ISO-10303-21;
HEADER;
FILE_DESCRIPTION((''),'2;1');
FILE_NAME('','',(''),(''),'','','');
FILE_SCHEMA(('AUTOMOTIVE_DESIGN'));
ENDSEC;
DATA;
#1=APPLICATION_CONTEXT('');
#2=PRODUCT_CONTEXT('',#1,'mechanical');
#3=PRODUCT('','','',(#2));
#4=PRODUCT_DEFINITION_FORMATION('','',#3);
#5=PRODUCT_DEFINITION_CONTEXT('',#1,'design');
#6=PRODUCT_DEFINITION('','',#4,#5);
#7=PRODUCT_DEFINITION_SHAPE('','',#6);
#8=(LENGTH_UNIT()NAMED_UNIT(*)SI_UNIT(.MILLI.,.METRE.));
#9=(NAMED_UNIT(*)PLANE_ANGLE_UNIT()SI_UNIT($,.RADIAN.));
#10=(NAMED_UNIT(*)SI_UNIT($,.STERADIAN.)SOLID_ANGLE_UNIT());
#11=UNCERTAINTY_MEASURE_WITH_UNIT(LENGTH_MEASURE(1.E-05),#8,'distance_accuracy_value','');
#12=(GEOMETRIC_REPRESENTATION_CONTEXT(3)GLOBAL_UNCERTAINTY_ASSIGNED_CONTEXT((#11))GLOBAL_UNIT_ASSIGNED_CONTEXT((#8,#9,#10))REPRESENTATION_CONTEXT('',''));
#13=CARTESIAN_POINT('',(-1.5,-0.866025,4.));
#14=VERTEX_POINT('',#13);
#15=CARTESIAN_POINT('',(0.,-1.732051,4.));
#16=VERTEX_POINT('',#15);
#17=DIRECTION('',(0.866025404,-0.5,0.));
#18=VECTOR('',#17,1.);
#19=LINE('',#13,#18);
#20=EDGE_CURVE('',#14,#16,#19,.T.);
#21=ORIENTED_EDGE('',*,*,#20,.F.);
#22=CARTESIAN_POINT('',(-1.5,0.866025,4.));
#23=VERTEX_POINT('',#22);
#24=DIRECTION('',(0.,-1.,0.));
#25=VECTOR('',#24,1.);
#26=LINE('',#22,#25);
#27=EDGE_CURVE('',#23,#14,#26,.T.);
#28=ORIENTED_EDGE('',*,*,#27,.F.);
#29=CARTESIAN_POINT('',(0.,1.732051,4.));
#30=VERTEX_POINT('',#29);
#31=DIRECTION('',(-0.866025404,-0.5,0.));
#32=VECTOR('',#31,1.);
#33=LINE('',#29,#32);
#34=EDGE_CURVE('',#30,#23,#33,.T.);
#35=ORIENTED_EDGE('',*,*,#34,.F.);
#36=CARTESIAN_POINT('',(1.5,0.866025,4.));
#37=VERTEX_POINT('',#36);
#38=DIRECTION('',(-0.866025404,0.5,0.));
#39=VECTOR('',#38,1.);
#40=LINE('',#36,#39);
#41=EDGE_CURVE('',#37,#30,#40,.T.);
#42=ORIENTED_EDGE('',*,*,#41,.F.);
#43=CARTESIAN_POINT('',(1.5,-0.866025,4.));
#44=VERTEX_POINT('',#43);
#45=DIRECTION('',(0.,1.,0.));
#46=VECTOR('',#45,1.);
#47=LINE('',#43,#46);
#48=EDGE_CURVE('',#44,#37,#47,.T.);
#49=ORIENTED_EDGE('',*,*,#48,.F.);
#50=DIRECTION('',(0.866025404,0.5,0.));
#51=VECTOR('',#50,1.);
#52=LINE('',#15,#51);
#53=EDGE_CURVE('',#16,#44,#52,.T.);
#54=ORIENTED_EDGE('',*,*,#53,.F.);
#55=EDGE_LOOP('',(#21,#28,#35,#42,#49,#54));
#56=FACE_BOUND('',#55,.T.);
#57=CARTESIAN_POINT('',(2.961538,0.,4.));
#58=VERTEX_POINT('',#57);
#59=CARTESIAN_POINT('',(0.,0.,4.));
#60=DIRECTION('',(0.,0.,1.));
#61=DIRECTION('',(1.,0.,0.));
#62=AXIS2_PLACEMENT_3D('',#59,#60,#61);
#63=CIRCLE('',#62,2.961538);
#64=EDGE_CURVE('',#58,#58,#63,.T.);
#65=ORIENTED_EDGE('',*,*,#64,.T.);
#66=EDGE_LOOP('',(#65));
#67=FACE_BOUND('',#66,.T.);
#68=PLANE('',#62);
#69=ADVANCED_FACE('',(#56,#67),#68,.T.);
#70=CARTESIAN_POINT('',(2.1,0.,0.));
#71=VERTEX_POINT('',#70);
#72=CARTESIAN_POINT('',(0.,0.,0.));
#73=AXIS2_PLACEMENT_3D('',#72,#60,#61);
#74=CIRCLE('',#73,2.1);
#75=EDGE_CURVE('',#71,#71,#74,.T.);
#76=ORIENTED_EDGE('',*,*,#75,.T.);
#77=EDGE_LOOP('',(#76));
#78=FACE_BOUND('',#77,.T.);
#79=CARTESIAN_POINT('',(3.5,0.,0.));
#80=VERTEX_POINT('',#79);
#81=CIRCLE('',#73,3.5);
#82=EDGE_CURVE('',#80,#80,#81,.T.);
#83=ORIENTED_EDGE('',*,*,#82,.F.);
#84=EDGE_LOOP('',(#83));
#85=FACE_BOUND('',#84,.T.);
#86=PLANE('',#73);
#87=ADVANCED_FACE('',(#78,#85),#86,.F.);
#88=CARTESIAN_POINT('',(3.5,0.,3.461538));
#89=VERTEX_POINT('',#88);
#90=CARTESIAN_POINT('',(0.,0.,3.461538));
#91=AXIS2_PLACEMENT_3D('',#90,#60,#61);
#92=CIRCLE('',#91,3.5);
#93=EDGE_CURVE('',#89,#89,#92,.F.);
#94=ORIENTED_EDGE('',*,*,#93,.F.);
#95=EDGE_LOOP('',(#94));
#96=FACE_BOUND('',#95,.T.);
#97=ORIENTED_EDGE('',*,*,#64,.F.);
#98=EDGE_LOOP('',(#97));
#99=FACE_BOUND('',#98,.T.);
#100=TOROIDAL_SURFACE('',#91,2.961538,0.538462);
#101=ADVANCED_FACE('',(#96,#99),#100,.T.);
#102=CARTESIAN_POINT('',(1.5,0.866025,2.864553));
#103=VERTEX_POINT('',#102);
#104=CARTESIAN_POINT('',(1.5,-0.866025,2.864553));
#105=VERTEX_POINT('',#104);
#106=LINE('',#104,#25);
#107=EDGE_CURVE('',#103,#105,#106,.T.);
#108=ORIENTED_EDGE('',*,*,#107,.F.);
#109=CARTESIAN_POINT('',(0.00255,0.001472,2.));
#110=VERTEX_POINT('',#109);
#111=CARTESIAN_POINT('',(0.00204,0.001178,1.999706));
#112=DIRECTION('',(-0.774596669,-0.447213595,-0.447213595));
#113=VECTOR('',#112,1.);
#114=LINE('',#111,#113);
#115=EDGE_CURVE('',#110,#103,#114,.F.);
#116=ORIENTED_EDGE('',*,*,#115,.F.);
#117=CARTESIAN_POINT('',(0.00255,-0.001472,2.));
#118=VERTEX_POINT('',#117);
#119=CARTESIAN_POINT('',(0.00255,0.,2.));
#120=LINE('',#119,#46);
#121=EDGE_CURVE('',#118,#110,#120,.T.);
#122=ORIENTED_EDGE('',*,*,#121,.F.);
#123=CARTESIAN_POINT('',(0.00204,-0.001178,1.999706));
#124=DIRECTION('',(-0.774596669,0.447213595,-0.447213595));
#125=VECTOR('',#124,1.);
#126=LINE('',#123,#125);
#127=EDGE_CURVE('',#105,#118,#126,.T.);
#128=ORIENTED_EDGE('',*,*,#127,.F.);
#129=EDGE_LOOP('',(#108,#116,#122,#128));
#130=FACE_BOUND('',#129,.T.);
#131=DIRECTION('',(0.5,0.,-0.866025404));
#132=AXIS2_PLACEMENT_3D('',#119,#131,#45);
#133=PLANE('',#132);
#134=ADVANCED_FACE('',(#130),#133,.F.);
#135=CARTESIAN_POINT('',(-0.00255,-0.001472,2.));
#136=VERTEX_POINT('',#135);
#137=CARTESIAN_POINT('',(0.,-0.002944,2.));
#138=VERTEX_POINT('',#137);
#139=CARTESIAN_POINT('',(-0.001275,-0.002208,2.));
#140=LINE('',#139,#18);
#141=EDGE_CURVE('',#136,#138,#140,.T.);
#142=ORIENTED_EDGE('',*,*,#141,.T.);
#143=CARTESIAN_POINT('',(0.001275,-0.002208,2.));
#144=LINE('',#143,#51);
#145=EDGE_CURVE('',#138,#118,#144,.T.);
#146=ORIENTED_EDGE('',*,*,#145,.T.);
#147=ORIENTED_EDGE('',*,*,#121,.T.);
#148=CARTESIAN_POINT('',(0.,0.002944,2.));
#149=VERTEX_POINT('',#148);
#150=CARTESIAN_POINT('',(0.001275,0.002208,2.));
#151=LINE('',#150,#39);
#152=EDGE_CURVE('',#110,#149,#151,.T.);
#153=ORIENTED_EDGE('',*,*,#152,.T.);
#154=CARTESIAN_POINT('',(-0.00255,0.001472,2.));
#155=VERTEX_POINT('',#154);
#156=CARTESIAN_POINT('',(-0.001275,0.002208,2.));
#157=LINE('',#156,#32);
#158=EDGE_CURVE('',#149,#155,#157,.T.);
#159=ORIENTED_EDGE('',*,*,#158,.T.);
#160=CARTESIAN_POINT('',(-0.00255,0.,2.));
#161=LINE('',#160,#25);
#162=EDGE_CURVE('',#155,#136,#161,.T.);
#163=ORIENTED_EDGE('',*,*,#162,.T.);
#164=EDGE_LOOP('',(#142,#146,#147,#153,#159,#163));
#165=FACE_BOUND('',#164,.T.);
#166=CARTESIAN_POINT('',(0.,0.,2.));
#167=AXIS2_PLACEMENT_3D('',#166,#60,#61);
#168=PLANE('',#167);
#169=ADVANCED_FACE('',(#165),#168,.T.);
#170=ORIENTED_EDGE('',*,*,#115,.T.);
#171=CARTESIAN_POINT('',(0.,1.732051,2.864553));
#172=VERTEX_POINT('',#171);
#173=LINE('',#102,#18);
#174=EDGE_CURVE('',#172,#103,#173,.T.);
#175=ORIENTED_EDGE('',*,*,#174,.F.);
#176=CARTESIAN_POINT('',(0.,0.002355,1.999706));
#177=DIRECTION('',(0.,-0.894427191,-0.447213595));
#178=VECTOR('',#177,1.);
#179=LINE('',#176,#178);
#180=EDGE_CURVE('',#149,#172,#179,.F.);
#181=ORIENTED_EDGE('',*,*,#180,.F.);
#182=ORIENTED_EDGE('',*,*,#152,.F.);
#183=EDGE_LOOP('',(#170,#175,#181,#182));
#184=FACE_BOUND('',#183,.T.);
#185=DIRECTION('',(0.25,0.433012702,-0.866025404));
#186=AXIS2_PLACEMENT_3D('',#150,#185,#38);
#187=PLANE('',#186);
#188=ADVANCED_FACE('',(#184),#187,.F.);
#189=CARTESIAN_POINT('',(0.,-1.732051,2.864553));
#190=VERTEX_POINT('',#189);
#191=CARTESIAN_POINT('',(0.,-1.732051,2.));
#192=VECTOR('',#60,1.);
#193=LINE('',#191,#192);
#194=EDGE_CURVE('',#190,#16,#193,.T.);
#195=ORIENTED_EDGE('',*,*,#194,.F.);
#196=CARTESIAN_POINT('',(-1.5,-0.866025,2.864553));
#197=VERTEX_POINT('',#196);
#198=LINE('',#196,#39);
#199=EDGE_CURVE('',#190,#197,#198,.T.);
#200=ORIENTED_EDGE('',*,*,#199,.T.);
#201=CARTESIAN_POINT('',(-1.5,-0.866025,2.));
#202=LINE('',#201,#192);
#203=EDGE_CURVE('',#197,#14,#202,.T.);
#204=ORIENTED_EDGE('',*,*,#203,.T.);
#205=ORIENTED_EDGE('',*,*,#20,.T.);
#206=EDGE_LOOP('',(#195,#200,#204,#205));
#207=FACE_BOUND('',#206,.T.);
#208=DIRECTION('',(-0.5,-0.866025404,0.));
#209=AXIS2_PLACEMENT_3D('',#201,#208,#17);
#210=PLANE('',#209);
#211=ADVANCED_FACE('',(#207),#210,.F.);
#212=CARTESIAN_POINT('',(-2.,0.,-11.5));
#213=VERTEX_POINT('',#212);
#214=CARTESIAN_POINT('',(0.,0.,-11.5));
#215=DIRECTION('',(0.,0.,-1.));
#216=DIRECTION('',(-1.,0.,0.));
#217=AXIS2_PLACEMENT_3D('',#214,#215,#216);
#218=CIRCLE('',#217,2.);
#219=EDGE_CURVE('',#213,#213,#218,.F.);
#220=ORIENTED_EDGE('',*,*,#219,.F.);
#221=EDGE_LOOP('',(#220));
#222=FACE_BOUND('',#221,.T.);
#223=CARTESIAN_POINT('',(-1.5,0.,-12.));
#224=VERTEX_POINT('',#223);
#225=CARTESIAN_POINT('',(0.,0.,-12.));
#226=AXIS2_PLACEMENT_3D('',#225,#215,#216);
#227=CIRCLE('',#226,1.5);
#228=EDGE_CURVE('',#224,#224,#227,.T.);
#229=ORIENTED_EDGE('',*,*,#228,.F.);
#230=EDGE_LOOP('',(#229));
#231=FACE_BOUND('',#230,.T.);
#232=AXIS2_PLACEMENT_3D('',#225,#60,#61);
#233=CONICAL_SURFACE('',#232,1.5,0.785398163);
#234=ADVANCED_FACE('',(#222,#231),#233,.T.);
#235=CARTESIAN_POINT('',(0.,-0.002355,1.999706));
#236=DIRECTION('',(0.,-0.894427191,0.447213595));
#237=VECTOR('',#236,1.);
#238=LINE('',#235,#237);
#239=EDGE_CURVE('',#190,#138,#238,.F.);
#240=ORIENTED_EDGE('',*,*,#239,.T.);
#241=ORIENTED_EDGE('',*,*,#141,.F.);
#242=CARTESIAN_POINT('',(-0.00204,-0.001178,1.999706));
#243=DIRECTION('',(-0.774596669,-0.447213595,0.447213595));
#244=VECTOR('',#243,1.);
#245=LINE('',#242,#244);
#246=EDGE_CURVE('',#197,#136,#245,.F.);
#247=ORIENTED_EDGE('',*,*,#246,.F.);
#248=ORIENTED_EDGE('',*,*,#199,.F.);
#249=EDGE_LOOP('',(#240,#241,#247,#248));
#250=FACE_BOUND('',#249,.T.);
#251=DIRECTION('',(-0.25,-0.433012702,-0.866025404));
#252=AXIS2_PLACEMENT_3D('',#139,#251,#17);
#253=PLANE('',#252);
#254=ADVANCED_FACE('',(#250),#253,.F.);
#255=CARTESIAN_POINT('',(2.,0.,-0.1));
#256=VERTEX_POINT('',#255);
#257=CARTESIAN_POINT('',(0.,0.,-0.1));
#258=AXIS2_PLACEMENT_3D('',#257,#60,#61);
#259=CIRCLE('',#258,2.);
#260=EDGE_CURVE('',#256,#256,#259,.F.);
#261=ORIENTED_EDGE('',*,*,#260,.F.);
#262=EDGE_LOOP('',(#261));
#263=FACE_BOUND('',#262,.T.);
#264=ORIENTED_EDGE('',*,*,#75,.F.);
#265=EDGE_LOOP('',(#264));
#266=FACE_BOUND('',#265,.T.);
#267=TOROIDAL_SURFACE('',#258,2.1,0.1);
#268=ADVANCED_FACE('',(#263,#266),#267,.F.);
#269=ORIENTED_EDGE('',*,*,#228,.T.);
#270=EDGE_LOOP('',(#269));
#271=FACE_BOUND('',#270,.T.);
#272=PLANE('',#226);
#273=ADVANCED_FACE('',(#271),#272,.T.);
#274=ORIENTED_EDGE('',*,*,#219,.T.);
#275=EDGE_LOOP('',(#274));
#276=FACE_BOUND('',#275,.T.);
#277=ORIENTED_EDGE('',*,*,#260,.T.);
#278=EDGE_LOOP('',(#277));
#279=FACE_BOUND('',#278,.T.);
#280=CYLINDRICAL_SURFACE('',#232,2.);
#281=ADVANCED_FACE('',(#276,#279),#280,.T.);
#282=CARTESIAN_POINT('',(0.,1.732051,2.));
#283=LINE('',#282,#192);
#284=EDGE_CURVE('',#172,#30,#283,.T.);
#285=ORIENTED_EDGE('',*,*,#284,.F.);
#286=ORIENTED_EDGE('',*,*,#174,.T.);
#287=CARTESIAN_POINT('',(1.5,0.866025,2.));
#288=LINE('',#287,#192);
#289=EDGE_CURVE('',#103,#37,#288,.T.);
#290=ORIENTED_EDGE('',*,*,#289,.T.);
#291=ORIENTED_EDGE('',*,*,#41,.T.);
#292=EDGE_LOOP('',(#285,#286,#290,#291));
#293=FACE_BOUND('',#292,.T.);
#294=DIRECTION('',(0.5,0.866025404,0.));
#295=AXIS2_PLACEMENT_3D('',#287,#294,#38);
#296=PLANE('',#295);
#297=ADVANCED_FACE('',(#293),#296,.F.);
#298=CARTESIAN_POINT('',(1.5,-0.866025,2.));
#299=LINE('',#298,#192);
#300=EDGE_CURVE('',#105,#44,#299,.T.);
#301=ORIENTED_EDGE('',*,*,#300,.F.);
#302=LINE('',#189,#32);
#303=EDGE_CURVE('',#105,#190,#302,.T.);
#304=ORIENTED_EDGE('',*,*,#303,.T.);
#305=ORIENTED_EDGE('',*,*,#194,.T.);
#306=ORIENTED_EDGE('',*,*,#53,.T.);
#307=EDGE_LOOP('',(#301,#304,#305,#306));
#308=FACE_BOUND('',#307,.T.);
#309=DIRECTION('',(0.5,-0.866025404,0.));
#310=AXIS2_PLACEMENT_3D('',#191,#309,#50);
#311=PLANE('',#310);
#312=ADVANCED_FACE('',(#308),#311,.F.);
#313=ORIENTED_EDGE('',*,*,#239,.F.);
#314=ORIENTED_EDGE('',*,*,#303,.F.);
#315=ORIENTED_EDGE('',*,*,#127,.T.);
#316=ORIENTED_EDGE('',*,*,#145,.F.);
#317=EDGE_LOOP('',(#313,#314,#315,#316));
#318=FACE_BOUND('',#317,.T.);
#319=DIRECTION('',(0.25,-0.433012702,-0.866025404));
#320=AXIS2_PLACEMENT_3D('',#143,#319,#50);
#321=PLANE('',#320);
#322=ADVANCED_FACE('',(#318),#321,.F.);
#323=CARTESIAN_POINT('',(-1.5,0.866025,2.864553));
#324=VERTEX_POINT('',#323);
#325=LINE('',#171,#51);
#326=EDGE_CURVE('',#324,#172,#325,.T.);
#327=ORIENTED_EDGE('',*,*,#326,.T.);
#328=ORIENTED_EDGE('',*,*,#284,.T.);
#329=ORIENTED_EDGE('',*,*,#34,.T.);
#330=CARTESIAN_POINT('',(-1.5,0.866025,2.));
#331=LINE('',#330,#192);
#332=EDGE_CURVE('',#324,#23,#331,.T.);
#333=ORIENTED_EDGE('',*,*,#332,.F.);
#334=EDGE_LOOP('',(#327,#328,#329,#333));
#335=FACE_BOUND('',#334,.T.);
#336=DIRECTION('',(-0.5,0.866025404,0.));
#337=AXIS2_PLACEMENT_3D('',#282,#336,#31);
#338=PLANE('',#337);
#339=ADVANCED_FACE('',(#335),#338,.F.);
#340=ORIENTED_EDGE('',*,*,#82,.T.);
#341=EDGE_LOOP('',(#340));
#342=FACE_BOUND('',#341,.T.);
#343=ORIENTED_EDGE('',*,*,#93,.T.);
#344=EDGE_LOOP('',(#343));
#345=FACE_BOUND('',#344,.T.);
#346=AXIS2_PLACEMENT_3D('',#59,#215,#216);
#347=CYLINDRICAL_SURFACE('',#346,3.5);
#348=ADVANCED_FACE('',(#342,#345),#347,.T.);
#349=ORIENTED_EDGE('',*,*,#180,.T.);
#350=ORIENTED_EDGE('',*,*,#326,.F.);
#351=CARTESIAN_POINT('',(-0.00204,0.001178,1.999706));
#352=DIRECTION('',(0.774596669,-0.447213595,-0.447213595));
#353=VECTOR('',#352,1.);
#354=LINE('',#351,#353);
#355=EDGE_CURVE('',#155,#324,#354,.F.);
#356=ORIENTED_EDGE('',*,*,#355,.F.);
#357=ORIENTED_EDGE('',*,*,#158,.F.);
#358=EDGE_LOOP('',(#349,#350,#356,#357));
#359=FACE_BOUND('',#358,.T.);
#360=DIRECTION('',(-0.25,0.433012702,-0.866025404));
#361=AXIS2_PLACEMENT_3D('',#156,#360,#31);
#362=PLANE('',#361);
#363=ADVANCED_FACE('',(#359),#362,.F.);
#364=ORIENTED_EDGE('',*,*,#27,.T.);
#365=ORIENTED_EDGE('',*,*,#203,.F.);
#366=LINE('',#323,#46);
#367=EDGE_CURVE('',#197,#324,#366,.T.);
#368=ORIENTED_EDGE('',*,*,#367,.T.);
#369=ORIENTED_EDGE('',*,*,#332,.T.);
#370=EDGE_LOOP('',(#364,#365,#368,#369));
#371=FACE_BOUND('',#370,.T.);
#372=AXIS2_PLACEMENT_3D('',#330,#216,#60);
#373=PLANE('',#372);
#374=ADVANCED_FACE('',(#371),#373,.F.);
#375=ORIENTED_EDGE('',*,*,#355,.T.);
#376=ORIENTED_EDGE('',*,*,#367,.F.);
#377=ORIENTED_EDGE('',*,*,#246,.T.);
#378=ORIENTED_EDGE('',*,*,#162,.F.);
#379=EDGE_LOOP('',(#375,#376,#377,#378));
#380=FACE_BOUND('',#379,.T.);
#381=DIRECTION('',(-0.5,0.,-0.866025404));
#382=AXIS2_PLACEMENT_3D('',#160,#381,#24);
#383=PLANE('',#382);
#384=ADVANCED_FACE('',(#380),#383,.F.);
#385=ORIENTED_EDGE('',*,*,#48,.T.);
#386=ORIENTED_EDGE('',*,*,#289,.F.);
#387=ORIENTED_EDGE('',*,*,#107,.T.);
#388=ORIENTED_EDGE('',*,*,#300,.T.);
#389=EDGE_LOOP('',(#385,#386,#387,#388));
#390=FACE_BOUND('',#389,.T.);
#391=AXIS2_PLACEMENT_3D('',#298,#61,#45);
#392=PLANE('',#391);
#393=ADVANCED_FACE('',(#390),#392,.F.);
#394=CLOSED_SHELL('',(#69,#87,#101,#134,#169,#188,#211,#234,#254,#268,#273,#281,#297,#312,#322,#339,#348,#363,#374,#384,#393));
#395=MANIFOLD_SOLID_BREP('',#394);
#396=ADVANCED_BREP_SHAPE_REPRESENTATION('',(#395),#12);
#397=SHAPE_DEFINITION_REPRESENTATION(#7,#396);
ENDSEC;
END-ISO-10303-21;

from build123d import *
from OCP.BRepFilletAPI import BRepFilletAPI_MakeChamfer

# Parameters (mm, degrees)
SKETCH_1_R          = 3.5
EXTRUDE_1_DEPTH     = 4
CUT_EXTRUDE_1_DEPTH = 2
SKETCH_3_R          = 2
EXTRUDE_2_DEPTH     = 12
CHAMFER_1_SIZE      = 0.5
FILLET_1_R          = 0.538461538
CHAMFER_2_SIZE      = 0.864553314
CHAMFER_2_SIZE2     = 1.497450266
FILLET_2_R          = 0.1


with BuildPart() as part:
    # 草图1 → 凸台-拉伸1 (new body)
    with BuildSketch(Plane.XY):
        Circle(SKETCH_1_R)
    extrude(amount=EXTRUDE_1_DEPTH)

    # 草图2 → 切除-拉伸1 (cut)
    with BuildSketch(Plane.XY.offset(4)):
        Polygon((1.5, 0.866025404), (0, 1.732050808), (-1.5, 0.866025404), (-1.5, -0.866025404), (0, -1.732050808), (1.5, -0.866025404), align=None)
    extrude(amount=-CUT_EXTRUDE_1_DEPTH, mode=Mode.SUBTRACT)

    # 草图3 → 凸台-拉伸2 (add)
    with BuildSketch(Plane(origin=(0, 0, 0), x_dir=(-1, 0, 0), z_dir=(0, 0, -1))):
        Circle(SKETCH_3_R)
    extrude(amount=EXTRUDE_2_DEPTH)

    # 倒角1
    chamfer_1_edges = [part.edges().sort_by_distance(p)[0] for p in [
        (2, 0, -12),
    ]]
    chamfer(chamfer_1_edges, length=CHAMFER_1_SIZE)

    # 圆角1
    fillet_1_edges = [part.edges().sort_by_distance(p)[0] for p in [
        (-3.5, 0, 4),
    ]]
    fillet(fillet_1_edges, radius=FILLET_1_R)

    # 倒角2: one chamfer whose edges measure the first distance from different faces: ONE call of the kernel's chamfer builder (chamfer() names one face for all edges)
    chamfer_2_edges_1 = [part.edges().sort_by_distance(p)[0] for p in [
        (-1.5, 0, 2),
    ]]
    chamfer_2_side_1 = [part.faces().sort_by_distance(p)[0] for p in [
        (-1.5, 0, 3),
    ]]
    chamfer_2_edges_2 = [part.edges().sort_by_distance(p)[0] for p in [
        (-0.75, 1.299038106, 2),
    ]]
    chamfer_2_side_2 = [part.faces().sort_by_distance(p)[0] for p in [
        (-0.75, 1.299038106, 3),
    ]]
    chamfer_2_edges_3 = [part.edges().sort_by_distance(p)[0] for p in [
        (0.75, 1.299038106, 2),
    ]]
    chamfer_2_side_3 = [part.faces().sort_by_distance(p)[0] for p in [
        (0.75, 1.299038106, 3),
    ]]
    chamfer_2_edges_4 = [part.edges().sort_by_distance(p)[0] for p in [
        (1.5, 0, 2),
    ]]
    chamfer_2_side_4 = [part.faces().sort_by_distance(p)[0] for p in [
        (1.5, 0, 3),
    ]]
    chamfer_2_edges_5 = [part.edges().sort_by_distance(p)[0] for p in [
        (-0.75, -1.299038106, 2),
    ]]
    chamfer_2_side_5 = [part.faces().sort_by_distance(p)[0] for p in [
        (-0.75, -1.299038106, 3),
    ]]
    chamfer_2_edges_6 = [part.edges().sort_by_distance(p)[0] for p in [
        (0.75, -1.299038106, 2),
    ]]
    chamfer_2_side_6 = [part.faces().sort_by_distance(p)[0] for p in [
        (0.75, -1.299038106, 3),
    ]]
    chamfer_2 = BRepFilletAPI_MakeChamfer(part.part.solid().wrapped)
    for e in chamfer_2_edges_1:
        chamfer_2.Add(CHAMFER_2_SIZE, CHAMFER_2_SIZE2, e.wrapped, chamfer_2_side_1[0].wrapped)  # the first distance lies on this face
    for e in chamfer_2_edges_2:
        chamfer_2.Add(CHAMFER_2_SIZE, CHAMFER_2_SIZE2, e.wrapped, chamfer_2_side_2[0].wrapped)  # the first distance lies on this face
    for e in chamfer_2_edges_3:
        chamfer_2.Add(CHAMFER_2_SIZE, CHAMFER_2_SIZE2, e.wrapped, chamfer_2_side_3[0].wrapped)  # the first distance lies on this face
    for e in chamfer_2_edges_4:
        chamfer_2.Add(CHAMFER_2_SIZE, CHAMFER_2_SIZE2, e.wrapped, chamfer_2_side_4[0].wrapped)  # the first distance lies on this face
    for e in chamfer_2_edges_5:
        chamfer_2.Add(CHAMFER_2_SIZE, CHAMFER_2_SIZE2, e.wrapped, chamfer_2_side_5[0].wrapped)  # the first distance lies on this face
    for e in chamfer_2_edges_6:
        chamfer_2.Add(CHAMFER_2_SIZE, CHAMFER_2_SIZE2, e.wrapped, chamfer_2_side_6[0].wrapped)  # the first distance lies on this face
    add(Compound.cast(chamfer_2.Shape()), mode=Mode.REPLACE)

    # 圆角2
    fillet_2_edges = [part.edges().sort_by_distance(p)[0] for p in [
        (2, 0, 0),
    ]]
    fillet(fillet_2_edges, radius=FILLET_2_R)


solid = part.part
